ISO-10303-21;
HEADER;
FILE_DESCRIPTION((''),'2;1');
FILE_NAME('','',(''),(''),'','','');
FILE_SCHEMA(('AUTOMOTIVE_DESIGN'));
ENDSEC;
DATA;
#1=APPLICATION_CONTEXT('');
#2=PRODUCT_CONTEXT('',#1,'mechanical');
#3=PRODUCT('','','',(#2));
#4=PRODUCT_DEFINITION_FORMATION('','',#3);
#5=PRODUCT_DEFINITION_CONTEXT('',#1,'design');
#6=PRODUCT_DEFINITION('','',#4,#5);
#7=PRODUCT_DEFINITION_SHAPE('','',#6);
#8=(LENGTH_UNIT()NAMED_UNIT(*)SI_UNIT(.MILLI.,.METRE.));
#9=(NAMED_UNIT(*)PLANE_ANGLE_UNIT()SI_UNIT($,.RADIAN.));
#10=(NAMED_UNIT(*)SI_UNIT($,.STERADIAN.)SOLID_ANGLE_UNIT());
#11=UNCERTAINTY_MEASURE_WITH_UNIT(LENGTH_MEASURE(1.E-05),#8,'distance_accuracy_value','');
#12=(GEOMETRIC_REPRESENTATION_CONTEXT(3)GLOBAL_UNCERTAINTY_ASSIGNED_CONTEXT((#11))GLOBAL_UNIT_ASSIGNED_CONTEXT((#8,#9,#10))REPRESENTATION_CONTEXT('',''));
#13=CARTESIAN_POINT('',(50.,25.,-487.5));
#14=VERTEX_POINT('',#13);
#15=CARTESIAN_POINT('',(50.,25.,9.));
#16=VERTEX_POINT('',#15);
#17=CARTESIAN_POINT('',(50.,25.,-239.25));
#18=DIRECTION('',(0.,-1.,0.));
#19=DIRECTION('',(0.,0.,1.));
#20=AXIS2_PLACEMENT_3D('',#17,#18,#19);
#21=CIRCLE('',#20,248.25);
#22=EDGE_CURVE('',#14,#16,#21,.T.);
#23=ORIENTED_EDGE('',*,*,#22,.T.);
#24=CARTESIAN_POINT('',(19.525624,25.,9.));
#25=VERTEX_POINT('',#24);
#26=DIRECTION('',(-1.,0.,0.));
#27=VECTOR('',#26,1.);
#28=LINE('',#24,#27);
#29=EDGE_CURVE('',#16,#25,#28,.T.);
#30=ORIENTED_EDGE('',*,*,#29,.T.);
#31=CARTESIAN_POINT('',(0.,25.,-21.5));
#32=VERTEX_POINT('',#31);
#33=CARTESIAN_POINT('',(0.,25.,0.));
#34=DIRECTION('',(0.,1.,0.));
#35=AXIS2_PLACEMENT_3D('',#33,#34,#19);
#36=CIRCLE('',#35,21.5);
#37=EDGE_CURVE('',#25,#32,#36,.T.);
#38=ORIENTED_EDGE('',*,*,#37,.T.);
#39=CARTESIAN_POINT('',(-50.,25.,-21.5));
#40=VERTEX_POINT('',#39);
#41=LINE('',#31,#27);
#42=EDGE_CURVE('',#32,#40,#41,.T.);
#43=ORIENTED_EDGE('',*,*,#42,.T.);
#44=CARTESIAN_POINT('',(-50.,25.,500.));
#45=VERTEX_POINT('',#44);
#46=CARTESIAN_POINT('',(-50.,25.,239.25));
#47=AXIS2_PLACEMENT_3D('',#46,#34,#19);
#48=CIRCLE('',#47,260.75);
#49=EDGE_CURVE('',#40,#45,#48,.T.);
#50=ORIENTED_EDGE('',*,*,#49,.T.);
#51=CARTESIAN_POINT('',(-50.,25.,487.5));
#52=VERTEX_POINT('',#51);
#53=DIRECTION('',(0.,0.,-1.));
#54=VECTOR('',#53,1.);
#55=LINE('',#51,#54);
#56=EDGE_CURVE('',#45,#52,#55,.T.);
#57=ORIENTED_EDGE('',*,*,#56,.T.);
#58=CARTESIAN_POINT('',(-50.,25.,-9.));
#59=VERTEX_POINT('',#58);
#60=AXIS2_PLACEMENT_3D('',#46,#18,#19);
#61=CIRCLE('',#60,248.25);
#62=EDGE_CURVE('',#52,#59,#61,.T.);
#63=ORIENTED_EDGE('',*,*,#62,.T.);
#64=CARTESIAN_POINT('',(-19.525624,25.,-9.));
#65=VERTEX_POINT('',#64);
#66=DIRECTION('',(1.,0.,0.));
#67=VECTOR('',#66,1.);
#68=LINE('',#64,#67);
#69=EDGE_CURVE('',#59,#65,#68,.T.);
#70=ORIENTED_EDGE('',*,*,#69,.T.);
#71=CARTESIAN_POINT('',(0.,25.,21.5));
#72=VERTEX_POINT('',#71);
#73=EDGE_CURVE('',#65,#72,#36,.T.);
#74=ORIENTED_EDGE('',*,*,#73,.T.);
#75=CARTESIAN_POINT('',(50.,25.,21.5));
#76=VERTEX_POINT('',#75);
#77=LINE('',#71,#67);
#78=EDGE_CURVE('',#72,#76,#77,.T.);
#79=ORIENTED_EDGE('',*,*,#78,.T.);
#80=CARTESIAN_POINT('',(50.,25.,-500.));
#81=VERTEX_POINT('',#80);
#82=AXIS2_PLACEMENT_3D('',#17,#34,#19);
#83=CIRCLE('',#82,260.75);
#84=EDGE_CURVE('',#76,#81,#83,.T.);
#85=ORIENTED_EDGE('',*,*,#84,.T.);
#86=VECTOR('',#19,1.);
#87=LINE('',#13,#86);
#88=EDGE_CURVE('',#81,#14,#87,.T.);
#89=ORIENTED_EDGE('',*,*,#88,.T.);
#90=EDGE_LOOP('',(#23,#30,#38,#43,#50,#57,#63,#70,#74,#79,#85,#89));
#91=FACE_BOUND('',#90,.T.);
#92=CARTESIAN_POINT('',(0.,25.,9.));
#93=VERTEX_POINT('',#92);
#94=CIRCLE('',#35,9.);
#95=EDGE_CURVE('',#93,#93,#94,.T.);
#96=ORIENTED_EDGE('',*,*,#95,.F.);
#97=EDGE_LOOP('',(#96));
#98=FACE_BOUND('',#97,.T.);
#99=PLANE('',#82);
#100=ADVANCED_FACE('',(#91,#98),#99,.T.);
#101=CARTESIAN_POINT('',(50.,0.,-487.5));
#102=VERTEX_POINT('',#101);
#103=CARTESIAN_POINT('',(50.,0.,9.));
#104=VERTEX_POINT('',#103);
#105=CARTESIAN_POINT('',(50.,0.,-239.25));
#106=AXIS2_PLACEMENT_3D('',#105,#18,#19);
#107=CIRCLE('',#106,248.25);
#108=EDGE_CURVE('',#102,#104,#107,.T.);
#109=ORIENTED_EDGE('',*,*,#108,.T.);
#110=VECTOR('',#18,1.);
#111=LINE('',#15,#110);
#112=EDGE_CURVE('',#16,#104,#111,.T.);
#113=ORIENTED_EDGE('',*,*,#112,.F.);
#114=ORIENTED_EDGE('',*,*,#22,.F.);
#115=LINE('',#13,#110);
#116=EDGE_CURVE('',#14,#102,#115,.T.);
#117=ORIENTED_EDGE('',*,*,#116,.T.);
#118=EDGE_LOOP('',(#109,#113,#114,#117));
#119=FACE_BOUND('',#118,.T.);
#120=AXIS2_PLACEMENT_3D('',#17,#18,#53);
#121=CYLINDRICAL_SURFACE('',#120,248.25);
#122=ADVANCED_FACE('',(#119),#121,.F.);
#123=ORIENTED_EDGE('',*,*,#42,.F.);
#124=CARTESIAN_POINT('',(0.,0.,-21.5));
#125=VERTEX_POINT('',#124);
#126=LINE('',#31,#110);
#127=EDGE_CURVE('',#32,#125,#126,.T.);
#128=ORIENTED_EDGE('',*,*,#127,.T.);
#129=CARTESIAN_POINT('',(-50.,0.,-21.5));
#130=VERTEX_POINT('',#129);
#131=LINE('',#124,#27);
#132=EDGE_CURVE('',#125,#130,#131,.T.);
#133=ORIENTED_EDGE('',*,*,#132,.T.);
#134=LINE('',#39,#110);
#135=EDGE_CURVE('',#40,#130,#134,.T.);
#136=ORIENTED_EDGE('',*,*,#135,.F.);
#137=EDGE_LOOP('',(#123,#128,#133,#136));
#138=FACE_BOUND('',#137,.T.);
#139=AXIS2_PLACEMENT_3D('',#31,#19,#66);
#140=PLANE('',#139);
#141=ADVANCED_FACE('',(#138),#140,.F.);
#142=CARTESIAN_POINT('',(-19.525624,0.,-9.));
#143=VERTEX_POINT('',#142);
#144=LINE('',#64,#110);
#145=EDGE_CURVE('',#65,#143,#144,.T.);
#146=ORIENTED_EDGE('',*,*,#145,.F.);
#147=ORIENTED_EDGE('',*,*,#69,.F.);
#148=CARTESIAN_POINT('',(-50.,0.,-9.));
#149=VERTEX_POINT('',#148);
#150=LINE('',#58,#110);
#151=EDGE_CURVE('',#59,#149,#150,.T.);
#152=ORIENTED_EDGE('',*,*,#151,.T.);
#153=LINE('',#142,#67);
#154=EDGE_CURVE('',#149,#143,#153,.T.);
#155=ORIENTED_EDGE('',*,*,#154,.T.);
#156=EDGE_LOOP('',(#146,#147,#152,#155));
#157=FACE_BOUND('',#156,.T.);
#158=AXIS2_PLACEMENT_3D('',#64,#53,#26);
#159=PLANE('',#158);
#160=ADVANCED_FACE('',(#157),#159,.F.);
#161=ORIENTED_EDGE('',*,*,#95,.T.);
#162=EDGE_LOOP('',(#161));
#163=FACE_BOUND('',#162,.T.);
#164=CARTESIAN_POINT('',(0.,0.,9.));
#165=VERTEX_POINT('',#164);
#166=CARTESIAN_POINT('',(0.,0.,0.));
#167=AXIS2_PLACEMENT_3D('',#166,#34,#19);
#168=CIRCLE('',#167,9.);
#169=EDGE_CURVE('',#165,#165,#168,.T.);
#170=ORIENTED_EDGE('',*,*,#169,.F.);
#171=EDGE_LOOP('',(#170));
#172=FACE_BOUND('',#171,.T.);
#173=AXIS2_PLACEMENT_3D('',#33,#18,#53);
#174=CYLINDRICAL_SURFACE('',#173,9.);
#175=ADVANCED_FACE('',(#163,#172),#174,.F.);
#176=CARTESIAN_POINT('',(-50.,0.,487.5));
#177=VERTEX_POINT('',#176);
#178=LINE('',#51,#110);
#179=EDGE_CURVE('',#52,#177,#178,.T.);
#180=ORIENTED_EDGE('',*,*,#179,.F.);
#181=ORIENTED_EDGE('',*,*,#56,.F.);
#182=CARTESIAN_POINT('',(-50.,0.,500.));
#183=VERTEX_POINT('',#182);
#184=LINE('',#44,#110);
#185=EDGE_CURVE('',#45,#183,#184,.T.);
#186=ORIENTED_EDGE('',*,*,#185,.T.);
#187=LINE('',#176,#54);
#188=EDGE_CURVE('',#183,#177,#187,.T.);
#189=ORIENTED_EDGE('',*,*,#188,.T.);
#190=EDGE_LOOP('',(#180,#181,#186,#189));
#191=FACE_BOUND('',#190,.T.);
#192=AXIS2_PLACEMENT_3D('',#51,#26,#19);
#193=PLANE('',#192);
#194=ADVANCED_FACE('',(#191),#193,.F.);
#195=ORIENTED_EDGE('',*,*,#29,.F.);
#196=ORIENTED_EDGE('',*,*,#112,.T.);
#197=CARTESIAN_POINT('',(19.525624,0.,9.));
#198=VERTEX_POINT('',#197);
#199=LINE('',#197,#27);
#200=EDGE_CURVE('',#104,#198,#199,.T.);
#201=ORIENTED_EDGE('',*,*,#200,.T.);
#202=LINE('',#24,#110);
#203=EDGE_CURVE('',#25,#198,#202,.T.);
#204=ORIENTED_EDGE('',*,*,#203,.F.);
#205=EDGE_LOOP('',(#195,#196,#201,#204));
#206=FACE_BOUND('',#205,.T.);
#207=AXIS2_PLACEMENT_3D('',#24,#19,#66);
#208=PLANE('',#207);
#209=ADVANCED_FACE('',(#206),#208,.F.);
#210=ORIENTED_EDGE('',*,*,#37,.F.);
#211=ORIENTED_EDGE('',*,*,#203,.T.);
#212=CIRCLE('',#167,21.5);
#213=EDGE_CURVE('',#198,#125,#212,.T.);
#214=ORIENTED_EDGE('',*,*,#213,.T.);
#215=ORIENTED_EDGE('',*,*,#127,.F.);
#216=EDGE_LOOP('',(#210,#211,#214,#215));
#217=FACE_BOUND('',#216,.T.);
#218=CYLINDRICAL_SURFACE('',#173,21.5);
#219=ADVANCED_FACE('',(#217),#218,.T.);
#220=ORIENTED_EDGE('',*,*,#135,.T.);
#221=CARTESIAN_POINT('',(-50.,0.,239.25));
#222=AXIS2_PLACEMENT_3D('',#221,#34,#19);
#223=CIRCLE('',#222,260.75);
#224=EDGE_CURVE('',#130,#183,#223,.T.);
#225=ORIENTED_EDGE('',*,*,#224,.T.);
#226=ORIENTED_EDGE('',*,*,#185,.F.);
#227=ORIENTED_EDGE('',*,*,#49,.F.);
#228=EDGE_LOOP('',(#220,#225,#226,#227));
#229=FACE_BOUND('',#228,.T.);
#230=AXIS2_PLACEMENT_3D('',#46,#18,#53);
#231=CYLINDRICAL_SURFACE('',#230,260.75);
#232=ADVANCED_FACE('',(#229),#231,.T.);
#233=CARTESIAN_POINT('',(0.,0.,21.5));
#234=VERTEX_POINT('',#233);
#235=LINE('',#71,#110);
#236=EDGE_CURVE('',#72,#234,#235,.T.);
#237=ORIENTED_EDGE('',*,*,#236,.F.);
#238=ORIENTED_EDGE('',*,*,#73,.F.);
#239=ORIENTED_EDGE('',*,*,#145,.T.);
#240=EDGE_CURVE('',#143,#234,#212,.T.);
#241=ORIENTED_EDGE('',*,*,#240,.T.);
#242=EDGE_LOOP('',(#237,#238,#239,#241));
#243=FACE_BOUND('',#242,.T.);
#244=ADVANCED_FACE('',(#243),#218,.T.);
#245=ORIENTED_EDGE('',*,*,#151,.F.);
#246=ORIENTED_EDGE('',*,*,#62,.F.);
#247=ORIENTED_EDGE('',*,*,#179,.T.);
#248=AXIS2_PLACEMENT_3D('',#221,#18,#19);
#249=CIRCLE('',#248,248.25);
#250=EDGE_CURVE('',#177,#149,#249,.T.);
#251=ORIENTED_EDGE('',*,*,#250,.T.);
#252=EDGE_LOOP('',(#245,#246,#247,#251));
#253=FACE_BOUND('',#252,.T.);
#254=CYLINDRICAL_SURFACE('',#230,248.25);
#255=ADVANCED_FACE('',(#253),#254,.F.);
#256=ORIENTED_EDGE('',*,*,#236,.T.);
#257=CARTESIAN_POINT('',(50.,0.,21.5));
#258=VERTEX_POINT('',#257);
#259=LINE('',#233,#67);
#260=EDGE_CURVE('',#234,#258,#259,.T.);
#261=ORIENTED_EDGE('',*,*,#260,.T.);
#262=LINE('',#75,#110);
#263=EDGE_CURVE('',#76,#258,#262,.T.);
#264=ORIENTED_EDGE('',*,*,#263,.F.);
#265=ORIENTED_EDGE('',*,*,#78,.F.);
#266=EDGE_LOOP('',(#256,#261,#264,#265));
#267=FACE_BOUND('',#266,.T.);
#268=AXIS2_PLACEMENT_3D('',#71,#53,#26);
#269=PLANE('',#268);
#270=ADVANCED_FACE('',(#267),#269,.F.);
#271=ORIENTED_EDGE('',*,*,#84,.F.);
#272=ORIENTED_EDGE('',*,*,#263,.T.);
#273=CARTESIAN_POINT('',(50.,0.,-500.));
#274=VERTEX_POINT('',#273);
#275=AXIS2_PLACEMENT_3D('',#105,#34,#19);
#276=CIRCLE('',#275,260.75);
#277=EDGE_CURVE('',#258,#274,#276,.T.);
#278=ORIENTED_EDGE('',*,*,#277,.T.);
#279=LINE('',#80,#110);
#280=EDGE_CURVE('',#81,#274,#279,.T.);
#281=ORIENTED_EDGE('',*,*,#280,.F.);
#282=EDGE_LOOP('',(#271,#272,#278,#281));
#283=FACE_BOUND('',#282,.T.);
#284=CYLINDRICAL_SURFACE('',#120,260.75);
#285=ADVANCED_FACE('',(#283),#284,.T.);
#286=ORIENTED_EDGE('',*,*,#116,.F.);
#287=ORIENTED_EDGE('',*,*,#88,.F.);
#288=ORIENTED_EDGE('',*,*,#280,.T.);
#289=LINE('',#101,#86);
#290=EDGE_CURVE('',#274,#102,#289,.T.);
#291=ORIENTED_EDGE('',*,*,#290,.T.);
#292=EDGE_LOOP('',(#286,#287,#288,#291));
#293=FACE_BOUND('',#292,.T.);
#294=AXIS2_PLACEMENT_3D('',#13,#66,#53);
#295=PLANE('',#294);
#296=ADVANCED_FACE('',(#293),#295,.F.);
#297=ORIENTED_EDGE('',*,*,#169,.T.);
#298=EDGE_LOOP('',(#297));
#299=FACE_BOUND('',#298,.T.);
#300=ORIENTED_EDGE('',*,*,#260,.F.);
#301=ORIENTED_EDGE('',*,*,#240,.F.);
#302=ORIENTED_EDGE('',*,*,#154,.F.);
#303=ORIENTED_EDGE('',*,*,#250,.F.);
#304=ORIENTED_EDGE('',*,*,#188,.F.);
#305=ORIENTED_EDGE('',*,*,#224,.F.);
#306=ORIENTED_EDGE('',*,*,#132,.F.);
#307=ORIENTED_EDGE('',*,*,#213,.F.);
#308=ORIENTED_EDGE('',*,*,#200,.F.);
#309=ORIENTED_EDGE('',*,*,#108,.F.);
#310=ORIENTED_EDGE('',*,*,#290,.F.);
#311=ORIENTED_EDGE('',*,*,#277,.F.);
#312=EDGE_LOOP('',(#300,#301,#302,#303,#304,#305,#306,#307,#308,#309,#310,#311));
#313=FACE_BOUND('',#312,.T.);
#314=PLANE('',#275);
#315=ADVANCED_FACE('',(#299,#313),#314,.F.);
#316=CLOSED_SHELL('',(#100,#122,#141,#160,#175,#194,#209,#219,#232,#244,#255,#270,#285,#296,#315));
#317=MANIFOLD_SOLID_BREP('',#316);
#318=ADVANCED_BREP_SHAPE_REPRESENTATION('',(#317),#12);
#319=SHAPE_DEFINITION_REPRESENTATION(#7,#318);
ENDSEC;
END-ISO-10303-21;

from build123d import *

# Parameters (mm, degrees)
SKETCH1_R           = 9
BOSS_EXTRUDE1_DEPTH = 25


with BuildPart() as part:
    # Sketch1 → Boss-Extrude1 (new body)
    with BuildSketch(Plane(origin=(0, 0, 0), x_dir=(1, 0, 0), z_dir=(0, 1, 0))):
        with BuildLine():
            Line((19.52562419, -9), (50, -9))
            ThreePointArc((50, -9), (298.25, 239.25), (50, 487.5))
            Line((50, 487.5), (50, 500))
            ThreePointArc((50, 500), (310.75, 239.25), (50, -21.5))
            Line((50, -21.5), (0, -21.5))
            ThreePointArc((0, -21.5), (-18.107318962, -11.592023119), (-19.52562419, 9))
            Line((-19.52562419, 9), (-50, 9))
            ThreePointArc((-50, 9), (-298.25, -239.25), (-50, -487.5))
            Line((-50, -487.5), (-50, -500))
            ThreePointArc((-50, -500), (-310.75, -239.25), (-50, 21.5))
            Line((-50, 21.5), (0, 21.5))
            ThreePointArc((0, 21.5), (18.107318962, 11.592023119), (19.52562419, -9))
        make_face()
        Circle(SKETCH1_R, mode=Mode.SUBTRACT)
    extrude(amount=BOSS_EXTRUDE1_DEPTH)


solid = part.part
